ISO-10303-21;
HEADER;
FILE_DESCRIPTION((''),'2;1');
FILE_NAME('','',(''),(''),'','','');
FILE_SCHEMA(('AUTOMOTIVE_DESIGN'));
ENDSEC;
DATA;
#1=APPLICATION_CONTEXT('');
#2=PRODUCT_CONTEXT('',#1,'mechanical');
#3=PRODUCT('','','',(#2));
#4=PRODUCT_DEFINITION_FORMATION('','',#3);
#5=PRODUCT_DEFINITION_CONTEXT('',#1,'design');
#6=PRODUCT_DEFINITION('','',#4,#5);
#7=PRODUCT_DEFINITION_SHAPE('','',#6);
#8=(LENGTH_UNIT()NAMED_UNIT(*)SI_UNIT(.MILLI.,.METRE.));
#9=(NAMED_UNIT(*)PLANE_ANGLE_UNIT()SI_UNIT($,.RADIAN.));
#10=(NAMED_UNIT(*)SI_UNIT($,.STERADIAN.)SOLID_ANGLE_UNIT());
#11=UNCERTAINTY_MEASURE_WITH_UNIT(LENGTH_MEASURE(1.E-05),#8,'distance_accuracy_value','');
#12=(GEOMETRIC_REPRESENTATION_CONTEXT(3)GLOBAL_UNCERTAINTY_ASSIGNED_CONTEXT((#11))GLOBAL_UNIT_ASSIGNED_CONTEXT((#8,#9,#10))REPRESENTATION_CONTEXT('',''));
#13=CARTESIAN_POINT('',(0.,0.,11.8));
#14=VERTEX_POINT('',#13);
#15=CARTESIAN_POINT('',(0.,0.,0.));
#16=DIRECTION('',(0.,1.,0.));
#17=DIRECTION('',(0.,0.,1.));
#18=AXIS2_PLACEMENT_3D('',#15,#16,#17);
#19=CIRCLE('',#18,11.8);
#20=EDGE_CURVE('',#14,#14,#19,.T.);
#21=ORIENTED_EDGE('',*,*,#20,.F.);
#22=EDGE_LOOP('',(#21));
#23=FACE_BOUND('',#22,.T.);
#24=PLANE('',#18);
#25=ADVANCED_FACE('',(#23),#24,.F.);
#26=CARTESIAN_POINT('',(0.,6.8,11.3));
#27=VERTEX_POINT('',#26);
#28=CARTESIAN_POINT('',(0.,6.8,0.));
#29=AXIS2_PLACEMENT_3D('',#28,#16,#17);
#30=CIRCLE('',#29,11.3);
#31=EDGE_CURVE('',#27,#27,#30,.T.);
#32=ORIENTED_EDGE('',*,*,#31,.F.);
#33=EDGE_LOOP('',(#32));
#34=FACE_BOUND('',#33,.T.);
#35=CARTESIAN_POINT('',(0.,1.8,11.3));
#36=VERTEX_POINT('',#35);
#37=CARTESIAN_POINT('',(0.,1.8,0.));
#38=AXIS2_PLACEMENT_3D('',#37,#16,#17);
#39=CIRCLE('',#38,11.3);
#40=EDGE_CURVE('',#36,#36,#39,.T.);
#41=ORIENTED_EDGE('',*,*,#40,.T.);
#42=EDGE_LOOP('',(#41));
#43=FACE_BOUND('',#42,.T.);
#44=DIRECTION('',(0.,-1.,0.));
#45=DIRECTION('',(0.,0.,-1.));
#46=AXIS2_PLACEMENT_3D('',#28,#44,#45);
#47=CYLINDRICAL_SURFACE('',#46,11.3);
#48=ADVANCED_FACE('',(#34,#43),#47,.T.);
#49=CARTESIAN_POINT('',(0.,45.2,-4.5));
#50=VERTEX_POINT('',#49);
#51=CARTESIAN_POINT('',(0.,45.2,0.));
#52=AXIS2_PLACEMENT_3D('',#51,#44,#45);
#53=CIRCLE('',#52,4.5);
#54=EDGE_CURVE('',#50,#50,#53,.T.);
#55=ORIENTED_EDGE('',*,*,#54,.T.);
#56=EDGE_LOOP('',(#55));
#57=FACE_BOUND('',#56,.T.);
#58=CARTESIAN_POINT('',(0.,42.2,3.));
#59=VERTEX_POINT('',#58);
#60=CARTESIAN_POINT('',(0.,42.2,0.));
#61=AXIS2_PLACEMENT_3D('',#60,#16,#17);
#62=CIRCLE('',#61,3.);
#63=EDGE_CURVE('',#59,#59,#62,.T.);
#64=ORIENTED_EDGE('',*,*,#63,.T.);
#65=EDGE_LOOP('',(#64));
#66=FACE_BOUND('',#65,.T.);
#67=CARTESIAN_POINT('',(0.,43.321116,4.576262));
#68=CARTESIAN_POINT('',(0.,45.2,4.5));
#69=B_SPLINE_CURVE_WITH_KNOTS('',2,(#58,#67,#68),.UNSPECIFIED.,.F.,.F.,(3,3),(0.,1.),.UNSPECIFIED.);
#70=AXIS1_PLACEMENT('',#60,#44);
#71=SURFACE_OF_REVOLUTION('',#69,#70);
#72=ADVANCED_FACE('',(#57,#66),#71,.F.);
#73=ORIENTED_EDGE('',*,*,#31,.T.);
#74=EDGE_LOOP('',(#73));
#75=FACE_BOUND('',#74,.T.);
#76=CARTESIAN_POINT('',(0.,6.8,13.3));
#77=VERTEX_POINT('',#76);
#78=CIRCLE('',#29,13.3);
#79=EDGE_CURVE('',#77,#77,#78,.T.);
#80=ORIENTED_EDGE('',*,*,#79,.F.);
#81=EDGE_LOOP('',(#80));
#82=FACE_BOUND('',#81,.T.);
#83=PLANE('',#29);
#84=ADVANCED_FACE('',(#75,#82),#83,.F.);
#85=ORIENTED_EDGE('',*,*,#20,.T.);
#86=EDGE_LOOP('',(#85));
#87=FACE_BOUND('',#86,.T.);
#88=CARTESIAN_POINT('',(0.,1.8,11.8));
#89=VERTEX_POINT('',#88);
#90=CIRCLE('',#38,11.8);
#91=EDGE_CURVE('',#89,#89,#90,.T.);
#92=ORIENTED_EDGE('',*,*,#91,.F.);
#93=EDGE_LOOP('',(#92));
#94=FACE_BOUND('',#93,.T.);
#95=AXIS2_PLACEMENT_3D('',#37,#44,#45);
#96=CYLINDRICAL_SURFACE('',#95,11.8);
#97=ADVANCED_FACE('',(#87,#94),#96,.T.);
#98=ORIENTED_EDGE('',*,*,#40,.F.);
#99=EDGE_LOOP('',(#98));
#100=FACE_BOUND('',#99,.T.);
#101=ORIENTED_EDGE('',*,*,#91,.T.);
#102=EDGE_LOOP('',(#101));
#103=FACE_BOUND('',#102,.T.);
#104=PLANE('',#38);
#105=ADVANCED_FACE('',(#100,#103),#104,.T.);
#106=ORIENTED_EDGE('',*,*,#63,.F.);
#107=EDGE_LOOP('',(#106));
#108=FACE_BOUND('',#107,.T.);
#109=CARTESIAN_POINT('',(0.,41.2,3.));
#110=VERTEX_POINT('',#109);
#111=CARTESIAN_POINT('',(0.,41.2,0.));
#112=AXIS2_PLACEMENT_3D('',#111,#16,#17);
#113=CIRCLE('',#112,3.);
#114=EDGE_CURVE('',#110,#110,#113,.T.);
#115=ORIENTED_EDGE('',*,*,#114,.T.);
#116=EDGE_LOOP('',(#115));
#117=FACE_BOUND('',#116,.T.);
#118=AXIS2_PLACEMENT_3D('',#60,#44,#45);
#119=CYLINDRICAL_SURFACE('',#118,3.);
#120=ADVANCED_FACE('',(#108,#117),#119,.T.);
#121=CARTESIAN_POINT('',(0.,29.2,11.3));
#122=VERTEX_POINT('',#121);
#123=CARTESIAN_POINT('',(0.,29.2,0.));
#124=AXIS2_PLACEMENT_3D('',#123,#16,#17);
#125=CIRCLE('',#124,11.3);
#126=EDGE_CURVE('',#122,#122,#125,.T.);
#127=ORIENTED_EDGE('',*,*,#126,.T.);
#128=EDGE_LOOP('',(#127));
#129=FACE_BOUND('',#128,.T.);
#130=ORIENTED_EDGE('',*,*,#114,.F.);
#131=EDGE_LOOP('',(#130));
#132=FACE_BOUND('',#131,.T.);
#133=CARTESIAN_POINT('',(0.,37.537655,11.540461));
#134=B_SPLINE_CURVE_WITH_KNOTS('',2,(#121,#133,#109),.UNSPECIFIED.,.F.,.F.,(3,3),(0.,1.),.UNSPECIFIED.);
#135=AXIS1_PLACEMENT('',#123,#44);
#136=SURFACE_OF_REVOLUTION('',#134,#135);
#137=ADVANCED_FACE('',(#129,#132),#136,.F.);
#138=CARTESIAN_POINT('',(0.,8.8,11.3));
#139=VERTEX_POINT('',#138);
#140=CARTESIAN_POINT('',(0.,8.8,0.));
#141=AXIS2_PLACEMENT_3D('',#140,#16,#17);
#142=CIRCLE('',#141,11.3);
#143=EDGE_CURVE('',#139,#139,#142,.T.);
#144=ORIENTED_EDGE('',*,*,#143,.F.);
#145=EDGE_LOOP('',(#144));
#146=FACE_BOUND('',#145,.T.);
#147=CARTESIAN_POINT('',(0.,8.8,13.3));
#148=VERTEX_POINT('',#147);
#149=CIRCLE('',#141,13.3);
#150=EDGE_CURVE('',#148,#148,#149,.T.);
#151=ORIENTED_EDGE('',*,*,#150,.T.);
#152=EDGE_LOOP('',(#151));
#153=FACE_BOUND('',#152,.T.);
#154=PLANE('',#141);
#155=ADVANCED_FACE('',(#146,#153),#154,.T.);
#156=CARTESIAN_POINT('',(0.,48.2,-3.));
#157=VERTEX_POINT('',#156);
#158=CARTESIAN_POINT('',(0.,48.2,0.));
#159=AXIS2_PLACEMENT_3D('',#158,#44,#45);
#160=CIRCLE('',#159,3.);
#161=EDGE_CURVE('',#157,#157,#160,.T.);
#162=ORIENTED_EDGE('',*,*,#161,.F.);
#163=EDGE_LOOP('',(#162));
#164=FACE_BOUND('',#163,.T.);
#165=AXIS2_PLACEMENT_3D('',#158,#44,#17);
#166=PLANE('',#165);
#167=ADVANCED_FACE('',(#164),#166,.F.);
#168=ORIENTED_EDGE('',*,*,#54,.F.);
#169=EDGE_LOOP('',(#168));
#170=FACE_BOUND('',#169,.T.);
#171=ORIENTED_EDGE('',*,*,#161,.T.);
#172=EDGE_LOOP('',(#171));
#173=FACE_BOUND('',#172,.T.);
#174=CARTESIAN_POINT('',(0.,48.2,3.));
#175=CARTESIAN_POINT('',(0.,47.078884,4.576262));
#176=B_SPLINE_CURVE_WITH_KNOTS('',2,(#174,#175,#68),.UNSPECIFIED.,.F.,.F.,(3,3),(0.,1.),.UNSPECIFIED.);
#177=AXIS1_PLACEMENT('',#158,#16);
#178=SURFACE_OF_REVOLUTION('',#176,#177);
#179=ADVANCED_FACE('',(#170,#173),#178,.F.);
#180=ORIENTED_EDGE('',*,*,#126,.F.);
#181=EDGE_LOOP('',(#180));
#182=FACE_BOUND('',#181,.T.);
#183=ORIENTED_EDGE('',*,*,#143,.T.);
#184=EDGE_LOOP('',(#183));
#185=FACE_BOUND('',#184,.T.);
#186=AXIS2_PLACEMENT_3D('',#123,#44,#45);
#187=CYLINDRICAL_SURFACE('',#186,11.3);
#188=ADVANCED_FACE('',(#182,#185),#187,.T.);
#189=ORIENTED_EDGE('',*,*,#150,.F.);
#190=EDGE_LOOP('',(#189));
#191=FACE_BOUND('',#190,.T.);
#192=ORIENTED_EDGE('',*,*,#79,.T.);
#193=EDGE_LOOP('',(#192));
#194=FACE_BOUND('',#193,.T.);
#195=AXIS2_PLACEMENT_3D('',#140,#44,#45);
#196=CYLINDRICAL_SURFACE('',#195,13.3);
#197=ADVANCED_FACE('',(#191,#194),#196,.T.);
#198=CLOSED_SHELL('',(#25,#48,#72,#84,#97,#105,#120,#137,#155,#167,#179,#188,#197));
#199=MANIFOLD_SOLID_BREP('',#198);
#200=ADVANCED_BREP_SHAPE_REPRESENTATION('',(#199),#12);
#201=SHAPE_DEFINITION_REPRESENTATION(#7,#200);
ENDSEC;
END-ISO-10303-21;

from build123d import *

# Parameters (mm, degrees)
SKETCH1_R           = 11.8
BOSS_EXTRUDE1_DEPTH = 1.8
SKETCH2_R           = 11.3
BOSS_EXTRUDE2_DEPTH = 5
SKETCH3_R           = 13.3
BOSS_EXTRUDE3_DEPTH = 2
SKETCH4_R           = 11.3
BOSS_EXTRUDE4_DEPTH = 20.4
SKETCH6_R           = 3
BOSS_EXTRUDE5_DEPTH = 1


with BuildPart() as part:
    # Sketch1 → Boss-Extrude1 (new body)
    with BuildSketch(Plane(origin=(0, 0, 0), x_dir=(1, 0, 0), z_dir=(0, 1, 0))):
        Circle(SKETCH1_R)
    extrude(amount=BOSS_EXTRUDE1_DEPTH)

    # Sketch2 → Boss-Extrude2 (add)
    with BuildSketch(Plane(origin=(0, 1.8, 0), x_dir=(1, 0, 0), z_dir=(0, 1, 0))):
        Circle(SKETCH2_R)
    extrude(amount=BOSS_EXTRUDE2_DEPTH)

    # Sketch3 → Boss-Extrude3 (add)
    with BuildSketch(Plane(origin=(0, 6.8, 0), x_dir=(1, 0, 0), z_dir=(0, 1, 0))):
        Circle(SKETCH3_R)
    extrude(amount=BOSS_EXTRUDE3_DEPTH)

    # Sketch4 → Boss-Extrude4 (add)
    with BuildSketch(Plane(origin=(0, 8.8, 0), x_dir=(1, 0, 0), z_dir=(0, 1, 0))):
        Circle(SKETCH4_R)
    extrude(amount=BOSS_EXTRUDE4_DEPTH)

    # Sketch5 → Revolve1 (revolve)
    with BuildSketch(Plane(origin=(0, 0, 0), x_dir=(0, 0, -1), z_dir=(1, 0, 0))):
        with BuildLine():
            add(Edge.make_bspline(
                [(-10.5, 34.2), (-8.718155673, 38.74792404), (-3, 41.2)],
                knots=[0.330462847, 0.330462847, 0.330462847, 1, 1, 1], degree=2))
            Line((-10.5, 34.2), (0, 34.2))
            Line((0, 34.2), (0, 41.2))
            Line((0, 41.2), (-3, 41.2))
        make_face()
        with BuildLine():
            add(Edge.make_bspline(
                [(-11.3, 29.2), (-11.379463292, 31.955285248), (-10.5, 34.2)],
                knots=[0, 0, 0, 0.330462847, 0.330462847, 0.330462847], degree=2))
            Line((-11.3, 29.2), (0, 29.2))
            Line((0, 29.2), (0, 34.2))
            Line((0, 34.2), (-10.5, 34.2))
        make_face()
    revolve(axis=Axis((0, 29.2, 0), (0, 1, 0)))

    # Sketch6 → Boss-Extrude5 (add)
    with BuildSketch(Plane(origin=(0, 41.2, 0), x_dir=(1, 0, 0), z_dir=(0, 1, 0))):
        Circle(SKETCH6_R)
    extrude(amount=BOSS_EXTRUDE5_DEPTH)

    # Sketch7 → Revolve2 (revolve)
    with BuildSketch(Plane(origin=(0, 0, 0), x_dir=(0, 0, -1), z_dir=(1, 0, 0))):
        with BuildLine():
            Line((-4.25, 43.7), (0, 43.7))
            Line((0, 43.7), (0, 45.2))
            Line((0, 45.2), (-4.5, 45.2))
            add(Edge.make_bspline(
                [(-4.25, 43.7), (-4.53338952, 44.377370072), (-4.5, 45.2)],
                knots=[0.56217108, 0.56217108, 0.56217108, 1, 1, 1], degree=2))
        make_face()
        with BuildLine():
            Line((-3, 42.2), (0, 42.2))
            Line((0, 42.2), (0, 43.7))
            Line((0, 43.7), (-4.25, 43.7))
            add(Edge.make_bspline(
                [(-3, 42.2), (-3.886128668, 42.830258767), (-4.25, 43.7)],
                knots=[0, 0, 0, 0.56217108, 0.56217108, 0.56217108], degree=2))
        make_face()
    revolve2 = revolve(axis=Axis((0, 42.2, 0), (0, 1, 0)))

    # Mirror1: Revolve2 across plane
    add(revolve2.mirror(Plane(origin=(0, 45.2, 0), x_dir=(0, 0, 1), z_dir=(0, -1, 0))))


solid = part.part
